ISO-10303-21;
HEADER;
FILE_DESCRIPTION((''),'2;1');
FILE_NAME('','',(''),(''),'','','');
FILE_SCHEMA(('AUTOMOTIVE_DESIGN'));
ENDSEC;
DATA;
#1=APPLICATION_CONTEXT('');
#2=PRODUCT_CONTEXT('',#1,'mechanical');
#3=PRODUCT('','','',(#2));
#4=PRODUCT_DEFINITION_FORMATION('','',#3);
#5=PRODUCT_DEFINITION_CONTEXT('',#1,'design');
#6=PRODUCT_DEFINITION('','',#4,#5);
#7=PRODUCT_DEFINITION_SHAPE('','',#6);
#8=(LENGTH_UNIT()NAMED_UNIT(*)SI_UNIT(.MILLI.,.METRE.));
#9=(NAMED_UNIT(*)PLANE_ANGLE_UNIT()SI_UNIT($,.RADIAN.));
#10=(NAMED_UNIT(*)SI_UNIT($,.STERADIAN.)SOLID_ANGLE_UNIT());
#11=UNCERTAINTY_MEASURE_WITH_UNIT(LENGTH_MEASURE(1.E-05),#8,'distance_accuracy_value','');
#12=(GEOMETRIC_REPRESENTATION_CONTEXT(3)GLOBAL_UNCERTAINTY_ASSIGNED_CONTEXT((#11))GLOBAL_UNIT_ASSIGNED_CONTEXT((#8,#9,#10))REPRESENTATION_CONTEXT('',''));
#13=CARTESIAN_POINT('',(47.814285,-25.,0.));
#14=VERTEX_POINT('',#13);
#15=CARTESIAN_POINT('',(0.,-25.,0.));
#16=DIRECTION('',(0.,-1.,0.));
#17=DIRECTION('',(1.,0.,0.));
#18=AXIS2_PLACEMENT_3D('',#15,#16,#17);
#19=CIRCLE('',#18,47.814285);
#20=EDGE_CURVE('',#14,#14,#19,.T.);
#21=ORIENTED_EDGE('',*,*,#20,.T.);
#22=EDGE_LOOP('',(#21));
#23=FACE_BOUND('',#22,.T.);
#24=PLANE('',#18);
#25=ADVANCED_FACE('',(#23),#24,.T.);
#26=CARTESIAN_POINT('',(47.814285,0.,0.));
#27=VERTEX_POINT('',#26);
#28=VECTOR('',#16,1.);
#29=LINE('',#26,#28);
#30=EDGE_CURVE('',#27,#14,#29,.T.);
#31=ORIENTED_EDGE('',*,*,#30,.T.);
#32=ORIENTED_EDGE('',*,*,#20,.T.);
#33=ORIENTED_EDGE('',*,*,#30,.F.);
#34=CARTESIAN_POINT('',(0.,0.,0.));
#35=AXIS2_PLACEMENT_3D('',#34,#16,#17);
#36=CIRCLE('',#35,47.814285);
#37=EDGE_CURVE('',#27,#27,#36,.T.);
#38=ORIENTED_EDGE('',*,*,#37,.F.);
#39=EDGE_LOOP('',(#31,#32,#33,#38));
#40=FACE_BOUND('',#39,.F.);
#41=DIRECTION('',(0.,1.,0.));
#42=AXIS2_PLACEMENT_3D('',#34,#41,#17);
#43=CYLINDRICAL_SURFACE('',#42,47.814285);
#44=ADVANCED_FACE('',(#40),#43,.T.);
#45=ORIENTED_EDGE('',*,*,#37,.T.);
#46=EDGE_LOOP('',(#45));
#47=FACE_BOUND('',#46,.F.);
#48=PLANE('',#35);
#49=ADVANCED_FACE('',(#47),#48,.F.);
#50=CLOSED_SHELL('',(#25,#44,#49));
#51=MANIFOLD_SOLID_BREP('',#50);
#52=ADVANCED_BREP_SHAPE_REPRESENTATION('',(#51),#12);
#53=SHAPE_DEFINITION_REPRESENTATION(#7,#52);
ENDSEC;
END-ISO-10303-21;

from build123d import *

# Parameters (mm, degrees)
F0_R     = 47.814285
F1_DEPTH = 25
F2_R     = 10.189496
F2_R_2   = 9.101141
F3_DEPTH = 72.9


with BuildPart() as f1:
    # F0 (on Front) → F1 (new body)
    with BuildSketch(Plane.XZ):
        Circle(F0_R)
    extrude(amount=F1_DEPTH)

    # F2 (on Front) → F3 (cut)
    with BuildSketch(Plane.XZ):
        with Locations((0, 22.434959)):
            Circle(F2_R)
        with Locations((0, 22.434959)):
            Circle(F2_R_2, mode=Mode.SUBTRACT)
    extrude(amount=-F3_DEPTH, mode=Mode.SUBTRACT)


solid = f1.part
